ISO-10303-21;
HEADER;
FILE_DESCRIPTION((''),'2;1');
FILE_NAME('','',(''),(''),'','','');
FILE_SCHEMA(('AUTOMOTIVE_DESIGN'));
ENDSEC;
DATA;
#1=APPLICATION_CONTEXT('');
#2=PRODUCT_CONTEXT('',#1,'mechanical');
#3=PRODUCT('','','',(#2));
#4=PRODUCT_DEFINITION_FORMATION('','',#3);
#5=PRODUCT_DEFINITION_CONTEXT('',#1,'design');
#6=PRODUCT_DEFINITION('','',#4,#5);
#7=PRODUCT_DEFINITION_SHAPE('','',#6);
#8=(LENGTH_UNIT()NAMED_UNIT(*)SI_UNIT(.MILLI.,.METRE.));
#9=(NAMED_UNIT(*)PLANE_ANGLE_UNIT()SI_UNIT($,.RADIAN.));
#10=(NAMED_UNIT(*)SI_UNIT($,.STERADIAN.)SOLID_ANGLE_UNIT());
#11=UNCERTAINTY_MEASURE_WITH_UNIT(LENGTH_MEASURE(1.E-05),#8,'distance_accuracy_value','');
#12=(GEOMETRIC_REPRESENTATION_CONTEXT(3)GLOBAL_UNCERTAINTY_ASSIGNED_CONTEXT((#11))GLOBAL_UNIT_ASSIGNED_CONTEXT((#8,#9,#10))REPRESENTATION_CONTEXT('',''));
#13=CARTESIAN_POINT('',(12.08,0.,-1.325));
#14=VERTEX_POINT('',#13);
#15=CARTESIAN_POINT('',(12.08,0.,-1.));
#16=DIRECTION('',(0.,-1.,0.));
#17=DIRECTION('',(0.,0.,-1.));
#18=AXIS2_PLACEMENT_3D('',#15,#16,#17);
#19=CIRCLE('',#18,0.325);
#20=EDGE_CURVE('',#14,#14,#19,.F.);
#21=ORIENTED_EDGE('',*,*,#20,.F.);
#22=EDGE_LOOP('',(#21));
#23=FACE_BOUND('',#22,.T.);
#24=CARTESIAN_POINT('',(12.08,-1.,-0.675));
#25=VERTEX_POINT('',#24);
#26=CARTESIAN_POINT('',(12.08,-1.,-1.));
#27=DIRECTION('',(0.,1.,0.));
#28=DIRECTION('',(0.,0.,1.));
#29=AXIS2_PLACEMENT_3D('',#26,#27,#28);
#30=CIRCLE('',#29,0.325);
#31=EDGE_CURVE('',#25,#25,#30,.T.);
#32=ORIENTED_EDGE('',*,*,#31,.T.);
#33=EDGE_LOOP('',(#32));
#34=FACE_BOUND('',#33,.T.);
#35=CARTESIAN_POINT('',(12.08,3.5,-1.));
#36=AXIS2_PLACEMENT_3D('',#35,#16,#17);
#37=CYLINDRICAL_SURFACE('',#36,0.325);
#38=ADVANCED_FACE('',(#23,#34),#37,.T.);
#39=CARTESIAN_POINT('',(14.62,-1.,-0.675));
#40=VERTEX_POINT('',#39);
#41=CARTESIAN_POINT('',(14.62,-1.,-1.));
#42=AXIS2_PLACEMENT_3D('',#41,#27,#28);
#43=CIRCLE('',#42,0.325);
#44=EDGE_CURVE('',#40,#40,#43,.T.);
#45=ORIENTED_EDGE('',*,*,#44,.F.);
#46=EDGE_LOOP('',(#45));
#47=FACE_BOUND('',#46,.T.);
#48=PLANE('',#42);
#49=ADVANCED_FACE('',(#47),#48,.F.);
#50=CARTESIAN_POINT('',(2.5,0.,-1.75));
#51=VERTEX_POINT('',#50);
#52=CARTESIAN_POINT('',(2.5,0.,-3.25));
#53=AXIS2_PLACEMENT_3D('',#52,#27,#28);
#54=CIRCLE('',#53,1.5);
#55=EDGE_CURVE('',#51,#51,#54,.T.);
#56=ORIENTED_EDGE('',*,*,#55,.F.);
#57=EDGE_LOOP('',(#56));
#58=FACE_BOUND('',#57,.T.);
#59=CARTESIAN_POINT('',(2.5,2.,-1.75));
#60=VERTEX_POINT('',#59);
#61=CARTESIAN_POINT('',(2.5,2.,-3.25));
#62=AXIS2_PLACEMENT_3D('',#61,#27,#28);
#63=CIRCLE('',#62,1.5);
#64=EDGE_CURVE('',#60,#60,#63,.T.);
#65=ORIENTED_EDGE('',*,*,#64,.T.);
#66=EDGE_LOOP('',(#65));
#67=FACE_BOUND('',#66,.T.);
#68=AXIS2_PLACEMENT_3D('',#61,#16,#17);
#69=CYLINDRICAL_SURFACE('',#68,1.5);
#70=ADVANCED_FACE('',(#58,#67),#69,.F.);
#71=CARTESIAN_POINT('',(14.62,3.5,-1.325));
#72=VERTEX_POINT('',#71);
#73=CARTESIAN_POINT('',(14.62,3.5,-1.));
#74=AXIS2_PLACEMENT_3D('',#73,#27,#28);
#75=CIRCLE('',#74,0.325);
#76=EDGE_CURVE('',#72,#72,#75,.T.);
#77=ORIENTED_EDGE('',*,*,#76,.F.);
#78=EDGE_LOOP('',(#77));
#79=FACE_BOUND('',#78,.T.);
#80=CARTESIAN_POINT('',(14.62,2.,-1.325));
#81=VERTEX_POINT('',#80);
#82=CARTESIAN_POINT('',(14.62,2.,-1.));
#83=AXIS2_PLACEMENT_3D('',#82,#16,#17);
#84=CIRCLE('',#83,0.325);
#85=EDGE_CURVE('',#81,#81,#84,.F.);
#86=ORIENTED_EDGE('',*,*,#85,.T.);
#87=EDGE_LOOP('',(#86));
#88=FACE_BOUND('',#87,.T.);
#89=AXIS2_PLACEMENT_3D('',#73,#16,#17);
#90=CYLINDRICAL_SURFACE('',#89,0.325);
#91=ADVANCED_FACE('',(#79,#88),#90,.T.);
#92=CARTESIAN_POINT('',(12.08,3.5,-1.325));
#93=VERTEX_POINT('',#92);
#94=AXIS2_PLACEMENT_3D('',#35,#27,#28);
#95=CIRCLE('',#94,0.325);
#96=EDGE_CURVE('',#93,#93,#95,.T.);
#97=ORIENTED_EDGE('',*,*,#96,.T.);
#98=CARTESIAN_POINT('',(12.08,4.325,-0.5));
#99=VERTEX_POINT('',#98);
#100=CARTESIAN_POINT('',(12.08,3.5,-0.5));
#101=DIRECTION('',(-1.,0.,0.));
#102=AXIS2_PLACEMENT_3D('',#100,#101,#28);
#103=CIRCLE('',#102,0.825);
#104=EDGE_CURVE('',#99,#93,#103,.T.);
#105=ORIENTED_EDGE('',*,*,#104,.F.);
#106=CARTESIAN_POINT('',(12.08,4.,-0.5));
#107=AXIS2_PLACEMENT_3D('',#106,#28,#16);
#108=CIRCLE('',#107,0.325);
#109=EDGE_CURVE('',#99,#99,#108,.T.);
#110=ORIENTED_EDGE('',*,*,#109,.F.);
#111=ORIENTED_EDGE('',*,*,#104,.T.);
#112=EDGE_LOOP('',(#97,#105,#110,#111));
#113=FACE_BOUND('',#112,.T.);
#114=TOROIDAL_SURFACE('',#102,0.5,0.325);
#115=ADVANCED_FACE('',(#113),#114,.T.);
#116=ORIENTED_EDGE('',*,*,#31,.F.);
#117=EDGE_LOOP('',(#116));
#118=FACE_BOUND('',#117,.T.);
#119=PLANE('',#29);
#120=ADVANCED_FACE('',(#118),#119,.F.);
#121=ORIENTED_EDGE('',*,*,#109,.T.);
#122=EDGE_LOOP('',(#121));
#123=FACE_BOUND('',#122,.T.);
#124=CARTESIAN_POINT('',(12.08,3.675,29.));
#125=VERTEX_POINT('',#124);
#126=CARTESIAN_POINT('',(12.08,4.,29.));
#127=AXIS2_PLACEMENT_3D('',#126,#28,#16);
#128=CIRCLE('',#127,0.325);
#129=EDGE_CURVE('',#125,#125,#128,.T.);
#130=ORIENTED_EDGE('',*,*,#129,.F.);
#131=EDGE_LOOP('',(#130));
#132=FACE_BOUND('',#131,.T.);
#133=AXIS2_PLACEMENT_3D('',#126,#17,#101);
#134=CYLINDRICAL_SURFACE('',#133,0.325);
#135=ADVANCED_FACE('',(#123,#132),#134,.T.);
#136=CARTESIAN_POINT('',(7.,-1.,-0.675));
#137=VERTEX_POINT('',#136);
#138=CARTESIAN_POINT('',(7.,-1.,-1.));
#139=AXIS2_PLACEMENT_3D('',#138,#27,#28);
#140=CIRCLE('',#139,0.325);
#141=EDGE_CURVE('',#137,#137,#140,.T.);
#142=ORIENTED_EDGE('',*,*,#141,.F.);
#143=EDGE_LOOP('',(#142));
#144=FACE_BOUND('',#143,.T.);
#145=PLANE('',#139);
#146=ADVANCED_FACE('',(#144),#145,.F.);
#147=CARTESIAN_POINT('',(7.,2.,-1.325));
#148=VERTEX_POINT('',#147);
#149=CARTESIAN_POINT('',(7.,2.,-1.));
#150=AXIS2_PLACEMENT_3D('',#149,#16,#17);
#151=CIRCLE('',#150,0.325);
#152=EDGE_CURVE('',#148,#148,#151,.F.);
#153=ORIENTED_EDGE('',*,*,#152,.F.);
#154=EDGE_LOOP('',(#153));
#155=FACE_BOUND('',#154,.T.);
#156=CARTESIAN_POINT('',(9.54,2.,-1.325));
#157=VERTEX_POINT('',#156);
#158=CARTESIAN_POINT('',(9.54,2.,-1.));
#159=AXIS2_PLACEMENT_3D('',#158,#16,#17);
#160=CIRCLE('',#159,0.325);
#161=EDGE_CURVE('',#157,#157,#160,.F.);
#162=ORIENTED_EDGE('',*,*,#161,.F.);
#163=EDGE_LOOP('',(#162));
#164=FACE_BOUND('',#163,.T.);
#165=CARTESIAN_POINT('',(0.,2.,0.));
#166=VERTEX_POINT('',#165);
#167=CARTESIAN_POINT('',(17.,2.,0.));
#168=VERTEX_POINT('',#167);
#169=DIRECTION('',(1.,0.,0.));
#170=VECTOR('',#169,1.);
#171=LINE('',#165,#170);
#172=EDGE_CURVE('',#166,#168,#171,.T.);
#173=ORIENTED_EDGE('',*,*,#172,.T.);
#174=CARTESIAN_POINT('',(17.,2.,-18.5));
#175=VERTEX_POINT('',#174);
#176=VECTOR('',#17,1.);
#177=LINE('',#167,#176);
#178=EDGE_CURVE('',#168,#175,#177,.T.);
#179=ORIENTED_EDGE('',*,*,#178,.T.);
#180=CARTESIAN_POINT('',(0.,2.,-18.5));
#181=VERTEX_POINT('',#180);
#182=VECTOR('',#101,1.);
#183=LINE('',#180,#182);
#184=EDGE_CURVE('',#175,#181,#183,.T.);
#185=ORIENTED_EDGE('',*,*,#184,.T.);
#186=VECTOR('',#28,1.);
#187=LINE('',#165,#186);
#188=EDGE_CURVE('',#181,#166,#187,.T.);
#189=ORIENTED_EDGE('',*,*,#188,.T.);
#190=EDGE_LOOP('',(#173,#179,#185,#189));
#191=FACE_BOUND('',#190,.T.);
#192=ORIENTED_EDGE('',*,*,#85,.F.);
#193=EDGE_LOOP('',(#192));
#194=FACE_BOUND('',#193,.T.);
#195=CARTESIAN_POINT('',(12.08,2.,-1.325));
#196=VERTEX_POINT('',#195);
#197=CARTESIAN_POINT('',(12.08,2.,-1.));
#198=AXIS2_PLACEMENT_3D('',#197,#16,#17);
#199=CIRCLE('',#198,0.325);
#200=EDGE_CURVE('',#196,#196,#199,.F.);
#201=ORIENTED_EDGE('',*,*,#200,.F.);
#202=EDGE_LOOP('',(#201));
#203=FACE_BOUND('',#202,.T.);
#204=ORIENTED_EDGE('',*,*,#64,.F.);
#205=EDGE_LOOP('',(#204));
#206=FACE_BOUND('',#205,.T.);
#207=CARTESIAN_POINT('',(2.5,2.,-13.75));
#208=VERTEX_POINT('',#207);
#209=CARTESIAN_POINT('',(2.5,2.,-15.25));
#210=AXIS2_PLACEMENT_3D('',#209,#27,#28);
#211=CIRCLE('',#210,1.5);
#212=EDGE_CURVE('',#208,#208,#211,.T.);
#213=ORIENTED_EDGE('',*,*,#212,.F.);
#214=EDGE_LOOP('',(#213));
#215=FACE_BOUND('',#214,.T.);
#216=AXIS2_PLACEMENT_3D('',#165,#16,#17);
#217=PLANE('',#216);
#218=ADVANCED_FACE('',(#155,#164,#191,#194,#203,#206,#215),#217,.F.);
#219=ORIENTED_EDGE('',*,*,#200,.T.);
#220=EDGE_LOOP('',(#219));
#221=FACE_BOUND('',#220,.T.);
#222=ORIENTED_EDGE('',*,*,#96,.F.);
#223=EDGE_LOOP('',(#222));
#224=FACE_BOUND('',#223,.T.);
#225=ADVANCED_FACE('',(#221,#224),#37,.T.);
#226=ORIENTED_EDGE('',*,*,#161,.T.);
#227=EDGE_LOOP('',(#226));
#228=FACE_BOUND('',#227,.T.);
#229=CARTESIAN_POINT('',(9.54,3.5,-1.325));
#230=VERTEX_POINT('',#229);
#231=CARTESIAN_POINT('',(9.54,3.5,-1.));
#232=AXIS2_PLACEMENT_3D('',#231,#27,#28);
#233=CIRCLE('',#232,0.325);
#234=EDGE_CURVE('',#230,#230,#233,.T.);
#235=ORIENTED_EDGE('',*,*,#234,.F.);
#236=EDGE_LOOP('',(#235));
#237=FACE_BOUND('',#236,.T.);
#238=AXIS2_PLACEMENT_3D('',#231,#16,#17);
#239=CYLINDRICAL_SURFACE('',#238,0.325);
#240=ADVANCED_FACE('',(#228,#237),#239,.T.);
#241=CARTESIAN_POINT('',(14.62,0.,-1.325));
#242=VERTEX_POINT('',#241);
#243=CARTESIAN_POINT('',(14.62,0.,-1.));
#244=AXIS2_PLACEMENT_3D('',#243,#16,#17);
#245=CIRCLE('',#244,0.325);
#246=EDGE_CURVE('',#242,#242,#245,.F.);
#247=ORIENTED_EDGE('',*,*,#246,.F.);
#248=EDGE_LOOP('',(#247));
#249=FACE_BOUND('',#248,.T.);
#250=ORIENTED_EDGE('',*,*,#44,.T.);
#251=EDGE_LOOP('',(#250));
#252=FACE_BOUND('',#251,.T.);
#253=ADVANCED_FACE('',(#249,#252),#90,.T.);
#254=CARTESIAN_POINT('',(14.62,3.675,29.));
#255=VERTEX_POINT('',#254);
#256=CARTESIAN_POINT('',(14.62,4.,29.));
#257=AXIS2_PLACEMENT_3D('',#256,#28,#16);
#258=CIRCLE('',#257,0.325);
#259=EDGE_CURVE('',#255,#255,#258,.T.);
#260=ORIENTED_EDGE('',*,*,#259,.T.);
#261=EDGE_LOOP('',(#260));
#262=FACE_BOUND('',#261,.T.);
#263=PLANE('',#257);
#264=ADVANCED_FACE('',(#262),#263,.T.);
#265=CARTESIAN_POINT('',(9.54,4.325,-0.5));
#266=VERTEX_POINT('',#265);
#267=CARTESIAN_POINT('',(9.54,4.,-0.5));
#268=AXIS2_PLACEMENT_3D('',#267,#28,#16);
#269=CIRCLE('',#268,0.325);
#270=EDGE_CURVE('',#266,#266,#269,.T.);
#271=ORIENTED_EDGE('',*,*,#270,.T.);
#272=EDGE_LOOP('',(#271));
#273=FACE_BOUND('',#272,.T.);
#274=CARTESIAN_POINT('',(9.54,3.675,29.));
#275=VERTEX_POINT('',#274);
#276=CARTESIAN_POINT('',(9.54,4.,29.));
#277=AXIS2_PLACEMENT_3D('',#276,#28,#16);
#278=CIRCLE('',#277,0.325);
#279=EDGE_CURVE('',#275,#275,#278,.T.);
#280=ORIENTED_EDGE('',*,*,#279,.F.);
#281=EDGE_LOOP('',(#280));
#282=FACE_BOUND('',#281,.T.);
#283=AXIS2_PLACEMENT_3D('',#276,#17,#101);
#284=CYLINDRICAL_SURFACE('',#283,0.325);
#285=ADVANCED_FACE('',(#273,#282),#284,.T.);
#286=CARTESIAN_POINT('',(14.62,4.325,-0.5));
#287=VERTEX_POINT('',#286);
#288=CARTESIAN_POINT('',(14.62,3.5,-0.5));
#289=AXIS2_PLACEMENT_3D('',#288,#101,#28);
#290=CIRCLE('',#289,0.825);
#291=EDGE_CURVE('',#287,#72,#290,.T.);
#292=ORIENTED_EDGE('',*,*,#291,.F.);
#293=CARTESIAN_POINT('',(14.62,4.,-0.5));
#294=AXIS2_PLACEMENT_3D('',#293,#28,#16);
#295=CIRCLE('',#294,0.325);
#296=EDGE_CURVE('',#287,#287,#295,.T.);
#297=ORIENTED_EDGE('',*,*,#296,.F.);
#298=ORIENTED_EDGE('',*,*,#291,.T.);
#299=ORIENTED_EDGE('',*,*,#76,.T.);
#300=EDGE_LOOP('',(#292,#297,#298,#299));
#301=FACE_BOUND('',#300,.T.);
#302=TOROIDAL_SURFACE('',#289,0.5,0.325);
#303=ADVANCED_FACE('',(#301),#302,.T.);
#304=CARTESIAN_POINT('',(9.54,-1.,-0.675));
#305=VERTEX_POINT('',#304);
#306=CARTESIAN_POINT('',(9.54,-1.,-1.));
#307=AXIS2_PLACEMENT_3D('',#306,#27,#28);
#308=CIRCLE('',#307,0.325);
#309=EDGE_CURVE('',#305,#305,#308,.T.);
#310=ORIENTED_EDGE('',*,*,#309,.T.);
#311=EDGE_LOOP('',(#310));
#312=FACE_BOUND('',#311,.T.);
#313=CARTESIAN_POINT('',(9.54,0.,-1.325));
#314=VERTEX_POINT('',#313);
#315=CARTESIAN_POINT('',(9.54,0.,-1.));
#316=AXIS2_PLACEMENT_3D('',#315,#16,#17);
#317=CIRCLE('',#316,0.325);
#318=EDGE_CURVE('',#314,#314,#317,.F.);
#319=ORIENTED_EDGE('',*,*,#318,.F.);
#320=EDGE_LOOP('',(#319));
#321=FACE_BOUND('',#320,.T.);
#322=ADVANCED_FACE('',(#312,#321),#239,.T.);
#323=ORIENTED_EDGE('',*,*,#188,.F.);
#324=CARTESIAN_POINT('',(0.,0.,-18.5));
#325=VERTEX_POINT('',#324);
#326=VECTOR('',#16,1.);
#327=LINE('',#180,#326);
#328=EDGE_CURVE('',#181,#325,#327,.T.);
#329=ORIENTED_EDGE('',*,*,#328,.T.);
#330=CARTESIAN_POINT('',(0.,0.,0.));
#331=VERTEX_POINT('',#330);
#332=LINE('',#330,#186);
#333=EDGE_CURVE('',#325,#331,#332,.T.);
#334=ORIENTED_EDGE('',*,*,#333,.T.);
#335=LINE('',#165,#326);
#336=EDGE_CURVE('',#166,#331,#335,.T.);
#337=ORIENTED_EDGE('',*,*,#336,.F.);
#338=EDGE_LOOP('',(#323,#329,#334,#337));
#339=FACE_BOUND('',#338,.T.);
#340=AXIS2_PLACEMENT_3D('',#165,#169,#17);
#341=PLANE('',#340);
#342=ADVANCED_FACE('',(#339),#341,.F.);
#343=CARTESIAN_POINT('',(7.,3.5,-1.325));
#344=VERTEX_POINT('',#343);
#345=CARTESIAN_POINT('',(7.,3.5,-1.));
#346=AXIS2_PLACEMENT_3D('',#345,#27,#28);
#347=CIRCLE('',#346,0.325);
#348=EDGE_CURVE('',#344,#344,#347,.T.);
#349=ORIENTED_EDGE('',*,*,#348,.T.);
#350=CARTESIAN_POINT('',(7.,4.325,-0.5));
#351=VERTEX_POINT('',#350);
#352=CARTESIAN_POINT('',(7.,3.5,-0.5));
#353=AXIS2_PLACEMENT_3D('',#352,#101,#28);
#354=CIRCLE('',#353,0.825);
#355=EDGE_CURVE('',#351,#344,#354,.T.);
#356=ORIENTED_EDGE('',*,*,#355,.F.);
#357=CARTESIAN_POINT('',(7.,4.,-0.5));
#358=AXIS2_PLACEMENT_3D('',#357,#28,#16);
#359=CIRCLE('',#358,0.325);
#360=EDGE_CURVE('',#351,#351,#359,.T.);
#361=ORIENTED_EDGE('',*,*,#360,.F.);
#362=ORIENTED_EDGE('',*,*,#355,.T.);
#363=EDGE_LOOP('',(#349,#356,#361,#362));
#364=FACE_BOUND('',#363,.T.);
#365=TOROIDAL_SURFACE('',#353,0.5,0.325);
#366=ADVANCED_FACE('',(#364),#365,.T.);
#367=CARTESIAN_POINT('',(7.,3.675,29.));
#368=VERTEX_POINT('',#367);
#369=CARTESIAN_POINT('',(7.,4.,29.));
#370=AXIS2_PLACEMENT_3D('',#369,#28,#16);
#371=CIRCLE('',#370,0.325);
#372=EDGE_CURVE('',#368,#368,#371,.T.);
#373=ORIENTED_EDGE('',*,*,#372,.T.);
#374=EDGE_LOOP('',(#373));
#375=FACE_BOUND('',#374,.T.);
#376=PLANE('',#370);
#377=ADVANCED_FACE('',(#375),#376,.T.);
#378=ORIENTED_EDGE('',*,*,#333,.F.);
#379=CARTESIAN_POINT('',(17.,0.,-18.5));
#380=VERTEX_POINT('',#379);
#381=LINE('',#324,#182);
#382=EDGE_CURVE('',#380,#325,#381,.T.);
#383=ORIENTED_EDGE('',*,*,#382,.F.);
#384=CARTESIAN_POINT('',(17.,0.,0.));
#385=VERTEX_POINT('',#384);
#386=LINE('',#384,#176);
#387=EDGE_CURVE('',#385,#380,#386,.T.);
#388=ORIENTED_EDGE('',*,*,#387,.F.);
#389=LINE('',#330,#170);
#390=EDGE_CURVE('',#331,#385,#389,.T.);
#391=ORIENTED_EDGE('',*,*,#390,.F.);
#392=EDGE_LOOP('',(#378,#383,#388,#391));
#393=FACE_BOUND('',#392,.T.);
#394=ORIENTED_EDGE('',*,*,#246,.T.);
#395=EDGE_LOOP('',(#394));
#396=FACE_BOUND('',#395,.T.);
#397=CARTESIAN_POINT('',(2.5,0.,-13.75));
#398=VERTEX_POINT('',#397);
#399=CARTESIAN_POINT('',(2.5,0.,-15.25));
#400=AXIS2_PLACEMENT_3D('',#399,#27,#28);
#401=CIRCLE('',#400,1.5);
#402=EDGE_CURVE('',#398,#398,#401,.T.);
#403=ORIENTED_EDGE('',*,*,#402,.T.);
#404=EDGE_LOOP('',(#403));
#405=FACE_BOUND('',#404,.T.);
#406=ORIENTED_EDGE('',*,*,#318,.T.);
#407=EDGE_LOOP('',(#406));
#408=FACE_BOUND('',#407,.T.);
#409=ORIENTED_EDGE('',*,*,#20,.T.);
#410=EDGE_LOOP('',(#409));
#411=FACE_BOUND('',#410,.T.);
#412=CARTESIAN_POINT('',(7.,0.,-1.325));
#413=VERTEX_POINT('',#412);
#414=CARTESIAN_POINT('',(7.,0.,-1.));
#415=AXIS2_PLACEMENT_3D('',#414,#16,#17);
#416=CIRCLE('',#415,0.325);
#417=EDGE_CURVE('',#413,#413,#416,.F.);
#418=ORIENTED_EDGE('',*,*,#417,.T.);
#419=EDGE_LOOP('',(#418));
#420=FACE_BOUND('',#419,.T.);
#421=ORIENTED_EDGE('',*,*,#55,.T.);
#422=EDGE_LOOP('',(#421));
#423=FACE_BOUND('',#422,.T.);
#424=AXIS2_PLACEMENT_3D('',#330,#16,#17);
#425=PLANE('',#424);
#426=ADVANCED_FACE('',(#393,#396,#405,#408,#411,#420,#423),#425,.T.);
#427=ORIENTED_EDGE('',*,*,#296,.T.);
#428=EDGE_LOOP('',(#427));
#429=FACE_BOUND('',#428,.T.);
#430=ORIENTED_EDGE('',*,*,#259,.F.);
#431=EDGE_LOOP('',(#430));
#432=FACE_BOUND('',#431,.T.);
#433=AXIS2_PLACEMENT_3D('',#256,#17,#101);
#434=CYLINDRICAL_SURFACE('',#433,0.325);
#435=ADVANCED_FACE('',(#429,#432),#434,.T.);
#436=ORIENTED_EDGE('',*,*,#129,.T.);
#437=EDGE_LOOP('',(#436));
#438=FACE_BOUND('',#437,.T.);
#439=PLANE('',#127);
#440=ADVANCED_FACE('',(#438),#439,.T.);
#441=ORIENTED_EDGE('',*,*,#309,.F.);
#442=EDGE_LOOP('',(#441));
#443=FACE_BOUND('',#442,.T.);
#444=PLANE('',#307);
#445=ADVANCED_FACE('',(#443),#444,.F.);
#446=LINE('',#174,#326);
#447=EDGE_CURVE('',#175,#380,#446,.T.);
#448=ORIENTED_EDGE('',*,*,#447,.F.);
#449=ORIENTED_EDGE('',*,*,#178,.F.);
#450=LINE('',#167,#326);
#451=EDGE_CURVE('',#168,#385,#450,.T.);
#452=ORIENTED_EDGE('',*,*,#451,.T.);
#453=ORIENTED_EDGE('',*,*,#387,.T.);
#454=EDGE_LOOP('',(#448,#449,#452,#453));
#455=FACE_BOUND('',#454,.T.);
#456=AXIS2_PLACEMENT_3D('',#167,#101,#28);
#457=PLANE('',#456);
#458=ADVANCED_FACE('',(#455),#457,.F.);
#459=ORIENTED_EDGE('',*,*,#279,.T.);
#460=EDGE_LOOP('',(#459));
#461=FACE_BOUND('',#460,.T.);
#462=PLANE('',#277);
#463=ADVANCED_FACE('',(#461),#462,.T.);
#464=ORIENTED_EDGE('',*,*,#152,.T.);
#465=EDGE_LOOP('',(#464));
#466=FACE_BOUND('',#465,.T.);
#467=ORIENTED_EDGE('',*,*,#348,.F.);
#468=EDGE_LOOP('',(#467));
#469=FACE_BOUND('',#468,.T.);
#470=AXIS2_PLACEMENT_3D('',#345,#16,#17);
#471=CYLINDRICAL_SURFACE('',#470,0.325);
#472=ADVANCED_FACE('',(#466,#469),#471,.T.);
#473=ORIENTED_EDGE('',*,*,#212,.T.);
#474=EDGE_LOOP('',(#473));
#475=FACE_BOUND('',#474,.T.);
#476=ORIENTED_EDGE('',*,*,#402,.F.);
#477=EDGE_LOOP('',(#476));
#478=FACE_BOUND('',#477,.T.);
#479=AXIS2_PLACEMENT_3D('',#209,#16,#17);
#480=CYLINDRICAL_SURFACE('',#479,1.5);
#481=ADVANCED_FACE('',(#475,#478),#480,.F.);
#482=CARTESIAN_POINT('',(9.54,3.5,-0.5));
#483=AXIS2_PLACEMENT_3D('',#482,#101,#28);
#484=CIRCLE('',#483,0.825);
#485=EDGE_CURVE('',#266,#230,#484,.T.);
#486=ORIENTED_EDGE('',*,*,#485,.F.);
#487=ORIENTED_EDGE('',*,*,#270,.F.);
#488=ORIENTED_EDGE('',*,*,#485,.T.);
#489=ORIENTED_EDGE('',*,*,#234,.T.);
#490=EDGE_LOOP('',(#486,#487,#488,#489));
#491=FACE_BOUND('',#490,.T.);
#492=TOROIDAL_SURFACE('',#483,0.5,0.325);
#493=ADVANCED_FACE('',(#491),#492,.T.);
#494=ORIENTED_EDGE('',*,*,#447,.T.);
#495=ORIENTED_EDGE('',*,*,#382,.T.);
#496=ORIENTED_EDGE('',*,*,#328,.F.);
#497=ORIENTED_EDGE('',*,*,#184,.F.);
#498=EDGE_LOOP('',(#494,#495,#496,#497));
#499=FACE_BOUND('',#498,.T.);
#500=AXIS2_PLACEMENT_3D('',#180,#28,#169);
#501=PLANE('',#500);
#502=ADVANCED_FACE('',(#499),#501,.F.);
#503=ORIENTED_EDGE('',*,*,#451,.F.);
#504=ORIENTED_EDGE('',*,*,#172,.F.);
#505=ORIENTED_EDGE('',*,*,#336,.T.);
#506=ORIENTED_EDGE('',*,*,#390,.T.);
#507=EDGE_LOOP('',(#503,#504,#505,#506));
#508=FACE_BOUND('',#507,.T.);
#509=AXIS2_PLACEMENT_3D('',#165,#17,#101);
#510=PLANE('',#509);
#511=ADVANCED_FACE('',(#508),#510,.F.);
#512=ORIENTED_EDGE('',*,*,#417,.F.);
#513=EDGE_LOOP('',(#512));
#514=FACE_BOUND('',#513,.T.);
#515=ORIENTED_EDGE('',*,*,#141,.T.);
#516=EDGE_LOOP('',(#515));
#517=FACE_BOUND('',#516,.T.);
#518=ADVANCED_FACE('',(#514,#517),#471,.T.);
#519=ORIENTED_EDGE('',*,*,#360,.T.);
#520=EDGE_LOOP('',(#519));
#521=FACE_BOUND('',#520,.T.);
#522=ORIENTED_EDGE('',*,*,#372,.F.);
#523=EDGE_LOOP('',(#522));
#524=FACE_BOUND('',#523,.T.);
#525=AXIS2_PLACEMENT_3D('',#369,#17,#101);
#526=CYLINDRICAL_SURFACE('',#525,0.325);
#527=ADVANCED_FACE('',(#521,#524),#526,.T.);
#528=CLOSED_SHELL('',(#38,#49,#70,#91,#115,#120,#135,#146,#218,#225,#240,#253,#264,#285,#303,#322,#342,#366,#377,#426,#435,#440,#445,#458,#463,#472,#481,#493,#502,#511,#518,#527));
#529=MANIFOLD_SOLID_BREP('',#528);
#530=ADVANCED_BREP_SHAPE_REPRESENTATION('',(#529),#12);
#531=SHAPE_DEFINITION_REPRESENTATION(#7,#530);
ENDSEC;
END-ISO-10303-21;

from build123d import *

# Parameters (mm, degrees)
SKETCH1_W           = 17
SKETCH1_H           = 18.5
SKETCH1_R           = 1.5
BOSS_EXTRUDE1_DEPTH = 2
SKETCH3_R           = 0.325
LPATTERN1_COUNT     = 4
LPATTERN1_PITCH     = 2.54


with BuildPart() as part:
    # Sketch1 → Boss-Extrude1 (new body)
    with BuildSketch(Plane(origin=(0, 0, 0), x_dir=(1, 0, 0), z_dir=(0, 1, 0))):
        with Locations((8.5, 9.25)):
            Rectangle(SKETCH1_W, SKETCH1_H)
        with Locations(Location((2.5, 15.25, 0), (0, 0, 270))):
            Circle(SKETCH1_R, mode=Mode.SUBTRACT)
        with Locations(Location((2.5, 3.25, 0), (0, 0, 270))):
            Circle(SKETCH1_R, mode=Mode.SUBTRACT)
    extrude(amount=BOSS_EXTRUDE1_DEPTH)

    # Sweep1: sweep along a path in Sketch2
    with BuildLine(Plane.ZY.offset(-7)) as sweep1_path:
        Line((-1, -1), (-1, 3.5))
        ThreePointArc((-1, 3.5), (-0.853553391, 3.853553391), (-0.5, 4))
        Line((-0.5, 4), (29, 4))
    # Sketch3 → Sweep1 (sweep)
    with BuildSketch(Plane(origin=(0, 2, 0), x_dir=(1, 0, 0), z_dir=(0, 1, 0))):
        with Locations((7, 1)):
            Circle(SKETCH3_R)
    sweep1 = sweep(path=sweep1_path.line)

    # LPattern1: Sweep1 ×4
    with Locations(*[(i * LPATTERN1_PITCH, 0, 0) for i in range(1, LPATTERN1_COUNT)]):
        add(sweep1)


solid = part.part
